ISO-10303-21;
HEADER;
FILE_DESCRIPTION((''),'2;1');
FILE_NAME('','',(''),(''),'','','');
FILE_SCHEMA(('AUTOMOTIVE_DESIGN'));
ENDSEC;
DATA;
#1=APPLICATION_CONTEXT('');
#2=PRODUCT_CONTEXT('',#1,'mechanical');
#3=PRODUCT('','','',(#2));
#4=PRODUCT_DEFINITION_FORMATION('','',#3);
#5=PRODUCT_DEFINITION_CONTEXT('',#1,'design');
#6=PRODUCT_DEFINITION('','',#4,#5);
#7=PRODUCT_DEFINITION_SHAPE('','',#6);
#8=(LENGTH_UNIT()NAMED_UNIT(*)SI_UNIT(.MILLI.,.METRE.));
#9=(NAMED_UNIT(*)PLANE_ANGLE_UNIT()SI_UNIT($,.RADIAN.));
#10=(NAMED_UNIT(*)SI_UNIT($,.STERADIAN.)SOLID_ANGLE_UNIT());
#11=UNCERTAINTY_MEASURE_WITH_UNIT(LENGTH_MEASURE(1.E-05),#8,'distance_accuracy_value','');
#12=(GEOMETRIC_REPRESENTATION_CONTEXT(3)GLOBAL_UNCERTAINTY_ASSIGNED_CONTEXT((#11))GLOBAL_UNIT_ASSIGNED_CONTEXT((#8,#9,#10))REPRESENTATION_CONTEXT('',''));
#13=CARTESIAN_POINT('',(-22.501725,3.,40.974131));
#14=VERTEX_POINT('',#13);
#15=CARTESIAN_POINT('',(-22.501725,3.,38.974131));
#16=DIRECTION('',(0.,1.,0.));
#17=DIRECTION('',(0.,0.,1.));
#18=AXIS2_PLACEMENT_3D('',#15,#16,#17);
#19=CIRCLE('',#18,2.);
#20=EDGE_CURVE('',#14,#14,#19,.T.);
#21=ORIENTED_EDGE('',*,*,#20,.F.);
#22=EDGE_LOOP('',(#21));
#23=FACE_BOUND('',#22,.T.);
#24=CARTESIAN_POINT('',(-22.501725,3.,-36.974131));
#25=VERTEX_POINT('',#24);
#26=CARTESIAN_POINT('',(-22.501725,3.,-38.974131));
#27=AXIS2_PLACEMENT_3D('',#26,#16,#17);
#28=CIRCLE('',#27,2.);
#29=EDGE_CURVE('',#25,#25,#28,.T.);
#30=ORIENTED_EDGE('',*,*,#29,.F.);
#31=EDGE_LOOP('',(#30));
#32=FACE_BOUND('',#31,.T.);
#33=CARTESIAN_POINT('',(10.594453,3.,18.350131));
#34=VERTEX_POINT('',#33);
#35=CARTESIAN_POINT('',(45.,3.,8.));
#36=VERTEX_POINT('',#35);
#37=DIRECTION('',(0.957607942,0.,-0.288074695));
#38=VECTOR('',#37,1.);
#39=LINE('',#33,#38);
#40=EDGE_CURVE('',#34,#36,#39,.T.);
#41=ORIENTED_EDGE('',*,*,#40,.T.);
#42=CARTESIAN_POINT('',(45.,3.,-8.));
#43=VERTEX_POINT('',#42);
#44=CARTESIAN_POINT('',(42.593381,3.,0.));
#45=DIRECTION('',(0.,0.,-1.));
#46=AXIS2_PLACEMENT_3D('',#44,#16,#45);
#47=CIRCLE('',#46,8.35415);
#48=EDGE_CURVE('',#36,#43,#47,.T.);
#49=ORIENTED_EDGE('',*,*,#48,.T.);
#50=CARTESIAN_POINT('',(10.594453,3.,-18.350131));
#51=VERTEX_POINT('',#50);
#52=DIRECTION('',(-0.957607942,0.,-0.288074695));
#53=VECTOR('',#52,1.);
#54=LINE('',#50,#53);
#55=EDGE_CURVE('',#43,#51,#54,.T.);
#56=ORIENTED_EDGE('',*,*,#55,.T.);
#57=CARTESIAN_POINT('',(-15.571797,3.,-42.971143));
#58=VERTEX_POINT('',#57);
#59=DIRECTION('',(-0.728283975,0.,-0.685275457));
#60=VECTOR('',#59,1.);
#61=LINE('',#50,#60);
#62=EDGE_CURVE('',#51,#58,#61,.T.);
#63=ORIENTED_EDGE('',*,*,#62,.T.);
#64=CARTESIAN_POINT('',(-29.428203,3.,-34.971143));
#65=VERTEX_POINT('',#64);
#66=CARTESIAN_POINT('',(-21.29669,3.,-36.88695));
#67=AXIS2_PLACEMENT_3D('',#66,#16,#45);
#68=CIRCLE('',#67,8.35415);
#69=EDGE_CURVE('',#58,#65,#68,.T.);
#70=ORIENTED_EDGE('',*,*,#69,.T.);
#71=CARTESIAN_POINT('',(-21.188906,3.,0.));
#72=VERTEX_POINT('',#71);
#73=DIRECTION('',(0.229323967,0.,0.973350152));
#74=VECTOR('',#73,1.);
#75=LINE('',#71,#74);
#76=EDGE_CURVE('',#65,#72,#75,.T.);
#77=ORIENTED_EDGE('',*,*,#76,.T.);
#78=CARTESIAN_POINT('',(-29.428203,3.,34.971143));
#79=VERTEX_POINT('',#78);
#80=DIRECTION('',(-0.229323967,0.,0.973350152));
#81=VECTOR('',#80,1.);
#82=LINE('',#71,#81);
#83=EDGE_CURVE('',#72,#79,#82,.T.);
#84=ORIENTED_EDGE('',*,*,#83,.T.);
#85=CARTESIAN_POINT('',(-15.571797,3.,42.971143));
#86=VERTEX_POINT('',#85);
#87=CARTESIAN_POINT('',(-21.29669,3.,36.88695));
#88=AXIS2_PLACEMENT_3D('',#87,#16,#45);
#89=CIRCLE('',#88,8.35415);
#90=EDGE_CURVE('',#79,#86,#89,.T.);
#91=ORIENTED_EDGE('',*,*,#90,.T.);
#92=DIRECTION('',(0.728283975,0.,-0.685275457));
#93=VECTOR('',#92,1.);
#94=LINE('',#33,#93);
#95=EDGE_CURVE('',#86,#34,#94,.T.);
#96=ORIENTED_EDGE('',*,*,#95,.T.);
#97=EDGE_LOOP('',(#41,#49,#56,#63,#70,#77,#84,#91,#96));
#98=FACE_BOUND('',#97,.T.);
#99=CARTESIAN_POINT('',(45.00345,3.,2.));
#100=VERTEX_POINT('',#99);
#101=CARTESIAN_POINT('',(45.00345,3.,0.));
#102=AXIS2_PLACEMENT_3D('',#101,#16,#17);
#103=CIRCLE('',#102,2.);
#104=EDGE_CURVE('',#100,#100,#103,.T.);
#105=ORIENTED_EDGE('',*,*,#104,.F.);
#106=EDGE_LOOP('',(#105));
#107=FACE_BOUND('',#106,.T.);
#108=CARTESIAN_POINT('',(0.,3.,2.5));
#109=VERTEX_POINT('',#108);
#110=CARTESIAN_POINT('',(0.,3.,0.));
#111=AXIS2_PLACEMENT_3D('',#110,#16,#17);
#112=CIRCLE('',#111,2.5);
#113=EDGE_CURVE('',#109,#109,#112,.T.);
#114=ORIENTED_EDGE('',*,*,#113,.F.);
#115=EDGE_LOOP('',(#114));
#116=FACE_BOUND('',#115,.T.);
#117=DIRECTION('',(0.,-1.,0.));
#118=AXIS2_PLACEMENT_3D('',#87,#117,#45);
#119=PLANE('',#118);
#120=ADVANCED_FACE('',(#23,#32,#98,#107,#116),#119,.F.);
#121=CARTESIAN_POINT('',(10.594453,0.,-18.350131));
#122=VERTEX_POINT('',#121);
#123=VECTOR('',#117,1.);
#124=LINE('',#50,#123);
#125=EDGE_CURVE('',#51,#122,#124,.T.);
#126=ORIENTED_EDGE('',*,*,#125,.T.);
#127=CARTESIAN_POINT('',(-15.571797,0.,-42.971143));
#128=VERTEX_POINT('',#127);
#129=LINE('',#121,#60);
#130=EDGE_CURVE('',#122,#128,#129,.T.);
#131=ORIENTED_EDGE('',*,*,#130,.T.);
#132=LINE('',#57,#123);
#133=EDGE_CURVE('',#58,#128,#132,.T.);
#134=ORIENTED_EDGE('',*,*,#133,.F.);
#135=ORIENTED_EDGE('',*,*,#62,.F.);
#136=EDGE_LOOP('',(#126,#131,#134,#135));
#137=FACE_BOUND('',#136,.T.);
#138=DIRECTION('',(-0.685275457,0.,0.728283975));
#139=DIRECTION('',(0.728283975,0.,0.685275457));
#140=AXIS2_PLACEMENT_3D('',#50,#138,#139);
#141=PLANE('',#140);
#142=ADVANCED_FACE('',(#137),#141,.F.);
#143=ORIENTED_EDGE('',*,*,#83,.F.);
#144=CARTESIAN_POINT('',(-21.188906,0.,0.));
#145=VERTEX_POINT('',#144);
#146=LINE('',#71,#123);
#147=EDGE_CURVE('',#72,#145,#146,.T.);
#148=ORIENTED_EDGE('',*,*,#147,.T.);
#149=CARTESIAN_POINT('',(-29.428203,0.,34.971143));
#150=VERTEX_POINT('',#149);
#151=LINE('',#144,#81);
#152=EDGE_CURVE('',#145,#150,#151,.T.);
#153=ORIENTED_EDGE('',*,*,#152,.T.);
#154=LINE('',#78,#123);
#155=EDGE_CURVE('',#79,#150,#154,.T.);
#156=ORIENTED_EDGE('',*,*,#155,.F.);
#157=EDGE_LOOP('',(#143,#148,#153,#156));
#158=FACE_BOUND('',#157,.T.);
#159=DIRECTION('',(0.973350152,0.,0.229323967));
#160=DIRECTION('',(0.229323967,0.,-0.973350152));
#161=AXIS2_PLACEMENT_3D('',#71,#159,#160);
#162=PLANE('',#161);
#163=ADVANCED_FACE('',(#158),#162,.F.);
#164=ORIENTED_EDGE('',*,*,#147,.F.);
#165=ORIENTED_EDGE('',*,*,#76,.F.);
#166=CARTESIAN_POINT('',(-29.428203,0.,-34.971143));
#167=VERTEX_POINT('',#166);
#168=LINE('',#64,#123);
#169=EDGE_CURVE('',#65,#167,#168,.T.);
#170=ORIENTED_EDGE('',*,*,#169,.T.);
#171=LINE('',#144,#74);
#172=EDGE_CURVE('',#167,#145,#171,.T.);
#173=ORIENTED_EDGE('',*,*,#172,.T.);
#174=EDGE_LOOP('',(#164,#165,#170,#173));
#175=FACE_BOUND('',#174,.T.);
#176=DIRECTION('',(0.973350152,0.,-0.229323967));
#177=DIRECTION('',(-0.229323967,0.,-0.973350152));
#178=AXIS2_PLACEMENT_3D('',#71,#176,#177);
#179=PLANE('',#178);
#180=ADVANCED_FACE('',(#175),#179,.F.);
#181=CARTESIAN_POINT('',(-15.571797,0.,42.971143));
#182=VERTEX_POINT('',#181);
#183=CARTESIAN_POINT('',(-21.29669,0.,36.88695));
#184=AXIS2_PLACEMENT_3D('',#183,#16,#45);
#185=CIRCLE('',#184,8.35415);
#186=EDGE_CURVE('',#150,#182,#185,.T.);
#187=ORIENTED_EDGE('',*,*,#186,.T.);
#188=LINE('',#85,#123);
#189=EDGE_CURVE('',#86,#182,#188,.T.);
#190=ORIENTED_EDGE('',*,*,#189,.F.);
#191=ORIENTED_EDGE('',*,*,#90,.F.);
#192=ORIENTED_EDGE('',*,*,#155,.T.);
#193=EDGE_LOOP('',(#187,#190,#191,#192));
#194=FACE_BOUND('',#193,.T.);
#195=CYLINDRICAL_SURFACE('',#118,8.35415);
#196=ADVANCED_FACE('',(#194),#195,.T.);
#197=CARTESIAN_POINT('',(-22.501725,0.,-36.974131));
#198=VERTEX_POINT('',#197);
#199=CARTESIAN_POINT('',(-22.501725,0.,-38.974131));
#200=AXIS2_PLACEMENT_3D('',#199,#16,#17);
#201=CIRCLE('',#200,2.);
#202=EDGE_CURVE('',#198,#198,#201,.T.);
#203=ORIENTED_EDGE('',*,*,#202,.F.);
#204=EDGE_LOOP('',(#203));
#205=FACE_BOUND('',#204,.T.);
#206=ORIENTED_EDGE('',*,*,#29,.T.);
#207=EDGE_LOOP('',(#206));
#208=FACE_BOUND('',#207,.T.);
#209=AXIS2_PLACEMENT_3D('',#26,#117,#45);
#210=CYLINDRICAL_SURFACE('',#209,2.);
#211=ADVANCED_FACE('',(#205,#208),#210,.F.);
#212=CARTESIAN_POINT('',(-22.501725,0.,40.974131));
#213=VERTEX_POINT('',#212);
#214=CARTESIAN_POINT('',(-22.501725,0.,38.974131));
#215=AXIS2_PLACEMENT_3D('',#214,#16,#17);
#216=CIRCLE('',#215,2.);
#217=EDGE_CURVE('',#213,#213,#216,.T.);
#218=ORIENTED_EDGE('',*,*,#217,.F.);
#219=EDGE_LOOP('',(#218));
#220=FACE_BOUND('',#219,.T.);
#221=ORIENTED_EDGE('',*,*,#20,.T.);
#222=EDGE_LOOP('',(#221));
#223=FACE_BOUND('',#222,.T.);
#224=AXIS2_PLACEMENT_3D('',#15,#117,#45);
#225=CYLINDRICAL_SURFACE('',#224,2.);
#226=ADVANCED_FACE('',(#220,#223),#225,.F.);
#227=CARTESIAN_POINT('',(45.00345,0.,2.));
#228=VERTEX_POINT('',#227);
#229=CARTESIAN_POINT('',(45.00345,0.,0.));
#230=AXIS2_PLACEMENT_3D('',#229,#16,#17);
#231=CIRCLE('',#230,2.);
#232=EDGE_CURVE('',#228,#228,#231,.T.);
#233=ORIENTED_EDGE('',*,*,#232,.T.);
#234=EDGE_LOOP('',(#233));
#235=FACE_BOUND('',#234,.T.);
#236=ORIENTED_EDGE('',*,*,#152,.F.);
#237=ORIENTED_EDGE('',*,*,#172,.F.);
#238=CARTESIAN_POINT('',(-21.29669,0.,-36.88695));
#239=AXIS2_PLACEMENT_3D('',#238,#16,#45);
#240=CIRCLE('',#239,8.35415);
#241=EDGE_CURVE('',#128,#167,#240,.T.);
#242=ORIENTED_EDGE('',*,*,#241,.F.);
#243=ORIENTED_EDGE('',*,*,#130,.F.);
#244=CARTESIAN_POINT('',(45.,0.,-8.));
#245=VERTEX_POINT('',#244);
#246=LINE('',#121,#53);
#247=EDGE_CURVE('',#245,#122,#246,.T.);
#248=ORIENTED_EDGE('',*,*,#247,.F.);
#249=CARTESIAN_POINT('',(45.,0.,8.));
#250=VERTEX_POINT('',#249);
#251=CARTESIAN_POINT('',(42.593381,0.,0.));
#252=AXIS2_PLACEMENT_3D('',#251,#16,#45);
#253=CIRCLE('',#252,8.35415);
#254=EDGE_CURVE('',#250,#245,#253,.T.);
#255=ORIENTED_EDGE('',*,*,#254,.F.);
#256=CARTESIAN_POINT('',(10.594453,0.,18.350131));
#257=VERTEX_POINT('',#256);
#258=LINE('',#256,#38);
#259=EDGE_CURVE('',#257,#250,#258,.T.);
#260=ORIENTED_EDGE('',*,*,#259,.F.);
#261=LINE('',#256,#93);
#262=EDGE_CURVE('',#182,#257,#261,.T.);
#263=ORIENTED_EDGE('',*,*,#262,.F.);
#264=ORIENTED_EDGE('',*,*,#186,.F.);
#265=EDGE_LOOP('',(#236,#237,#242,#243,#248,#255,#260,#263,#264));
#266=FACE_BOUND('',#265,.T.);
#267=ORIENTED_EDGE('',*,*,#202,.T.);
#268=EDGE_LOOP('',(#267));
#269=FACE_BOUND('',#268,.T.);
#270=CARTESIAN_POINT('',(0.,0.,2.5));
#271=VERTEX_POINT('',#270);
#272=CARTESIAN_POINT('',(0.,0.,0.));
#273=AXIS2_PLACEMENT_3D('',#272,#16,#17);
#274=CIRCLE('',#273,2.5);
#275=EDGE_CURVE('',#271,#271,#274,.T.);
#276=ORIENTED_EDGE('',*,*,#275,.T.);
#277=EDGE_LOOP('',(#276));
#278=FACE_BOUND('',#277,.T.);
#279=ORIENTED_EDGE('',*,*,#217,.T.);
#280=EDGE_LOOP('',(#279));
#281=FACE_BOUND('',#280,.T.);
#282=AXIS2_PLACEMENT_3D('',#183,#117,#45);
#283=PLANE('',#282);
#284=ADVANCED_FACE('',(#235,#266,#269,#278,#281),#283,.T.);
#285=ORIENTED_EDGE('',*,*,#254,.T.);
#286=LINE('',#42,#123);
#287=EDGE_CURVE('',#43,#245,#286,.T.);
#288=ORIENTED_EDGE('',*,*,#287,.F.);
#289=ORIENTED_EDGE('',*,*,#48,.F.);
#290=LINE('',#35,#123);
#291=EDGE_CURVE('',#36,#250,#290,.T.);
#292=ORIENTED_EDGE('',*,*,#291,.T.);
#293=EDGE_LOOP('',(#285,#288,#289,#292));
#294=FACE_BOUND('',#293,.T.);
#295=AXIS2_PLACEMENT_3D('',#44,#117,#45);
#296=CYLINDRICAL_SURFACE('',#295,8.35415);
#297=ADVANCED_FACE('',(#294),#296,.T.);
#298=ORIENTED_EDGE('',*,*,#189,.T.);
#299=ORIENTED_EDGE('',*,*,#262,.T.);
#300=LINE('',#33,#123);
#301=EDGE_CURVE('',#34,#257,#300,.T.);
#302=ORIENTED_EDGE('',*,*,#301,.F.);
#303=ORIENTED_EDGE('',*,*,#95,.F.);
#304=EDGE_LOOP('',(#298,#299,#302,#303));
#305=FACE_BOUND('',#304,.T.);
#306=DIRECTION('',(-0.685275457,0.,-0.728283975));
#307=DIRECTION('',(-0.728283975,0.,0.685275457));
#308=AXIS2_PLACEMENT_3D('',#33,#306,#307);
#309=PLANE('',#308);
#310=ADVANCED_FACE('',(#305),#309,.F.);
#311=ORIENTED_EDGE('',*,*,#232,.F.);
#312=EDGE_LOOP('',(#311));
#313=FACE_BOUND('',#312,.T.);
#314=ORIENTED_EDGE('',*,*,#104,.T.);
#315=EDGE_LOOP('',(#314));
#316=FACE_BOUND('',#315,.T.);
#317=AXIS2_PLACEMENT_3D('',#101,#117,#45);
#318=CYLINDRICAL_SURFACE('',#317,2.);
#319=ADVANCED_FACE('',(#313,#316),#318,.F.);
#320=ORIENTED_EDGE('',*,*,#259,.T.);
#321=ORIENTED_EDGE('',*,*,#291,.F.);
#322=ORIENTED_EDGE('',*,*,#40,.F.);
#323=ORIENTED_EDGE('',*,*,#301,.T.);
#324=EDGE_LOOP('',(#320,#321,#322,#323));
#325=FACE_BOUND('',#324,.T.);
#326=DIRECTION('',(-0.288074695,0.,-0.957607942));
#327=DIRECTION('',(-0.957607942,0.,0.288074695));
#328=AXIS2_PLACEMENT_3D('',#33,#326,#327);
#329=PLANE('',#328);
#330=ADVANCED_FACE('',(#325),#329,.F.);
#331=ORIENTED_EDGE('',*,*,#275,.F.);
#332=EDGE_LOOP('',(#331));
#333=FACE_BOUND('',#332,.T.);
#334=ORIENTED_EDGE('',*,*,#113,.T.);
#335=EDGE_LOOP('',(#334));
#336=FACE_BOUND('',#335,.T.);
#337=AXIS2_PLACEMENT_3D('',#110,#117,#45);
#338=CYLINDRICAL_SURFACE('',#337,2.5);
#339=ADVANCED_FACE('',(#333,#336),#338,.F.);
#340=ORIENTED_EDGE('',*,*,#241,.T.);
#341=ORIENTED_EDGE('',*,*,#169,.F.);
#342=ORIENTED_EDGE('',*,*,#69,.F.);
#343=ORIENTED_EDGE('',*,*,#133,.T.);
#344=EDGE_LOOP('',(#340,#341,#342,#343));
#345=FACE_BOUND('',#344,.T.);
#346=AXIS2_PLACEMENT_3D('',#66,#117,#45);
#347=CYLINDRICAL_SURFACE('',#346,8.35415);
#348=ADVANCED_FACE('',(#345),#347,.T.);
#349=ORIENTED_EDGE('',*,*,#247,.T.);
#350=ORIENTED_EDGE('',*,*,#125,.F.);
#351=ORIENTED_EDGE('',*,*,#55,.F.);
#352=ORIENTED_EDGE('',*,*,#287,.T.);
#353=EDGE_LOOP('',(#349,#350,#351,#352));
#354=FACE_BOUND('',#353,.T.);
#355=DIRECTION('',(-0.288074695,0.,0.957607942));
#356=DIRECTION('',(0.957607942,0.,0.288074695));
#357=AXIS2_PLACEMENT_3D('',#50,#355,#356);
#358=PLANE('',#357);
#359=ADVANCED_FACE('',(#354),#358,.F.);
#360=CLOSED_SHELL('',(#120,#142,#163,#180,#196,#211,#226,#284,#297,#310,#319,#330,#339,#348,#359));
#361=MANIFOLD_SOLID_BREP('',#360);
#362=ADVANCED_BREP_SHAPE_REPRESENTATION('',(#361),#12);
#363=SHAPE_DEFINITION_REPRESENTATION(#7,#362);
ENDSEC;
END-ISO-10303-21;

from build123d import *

# Parameters (mm, degrees)
SKETCH2_R           = 2.5
SKETCH2_R_2         = 2
BOSS_EXTRUDE2_DEPTH = 3


with BuildPart() as part:
    # Sketch2 → Boss-Extrude2 (new body)
    with BuildSketch(Plane(origin=(0, 0, 0), x_dir=(1, 0, 0), z_dir=(0, 1, 0))):
        with BuildLine():
            Line((10.594452967, -18.350130817), (45, -8))
            ThreePointArc((45, -8), (50.947530499, 0), (45, 8))
            Line((45, 8), (10.594452967, 18.350130817))
            Line((10.594452967, 18.350130817), (-15.57179677, 42.97114317))
            ThreePointArc((-15.57179677, 42.97114317), (-25.473765249, 44.121855672), (-29.42820323, 34.97114317))
            Line((-29.42820323, 34.97114317), (-21.188905934, 0))
            Line((-21.188905934, 0), (-29.42820323, -34.97114317))
            ThreePointArc((-29.42820323, -34.97114317), (-25.473765249, -44.121855672), (-15.57179677, -42.97114317))
            Line((-15.57179677, -42.97114317), (10.594452967, -18.350130817))
        make_face()
        with Locations(Location((0, 0, 0), (0, 0, 270))):
            Circle(SKETCH2_R, mode=Mode.SUBTRACT)
        with Locations(Location((-22.50172491, 38.974130802, 0), (0, 0, 270))):
            Circle(SKETCH2_R_2, mode=Mode.SUBTRACT)
        with Locations(Location((45.00344982, 0, 0), (0, 0, 270))):
            Circle(SKETCH2_R_2, mode=Mode.SUBTRACT)
        with Locations(Location((-22.50172491, -38.974130802, 0), (0, 0, 270))):
            Circle(SKETCH2_R_2, mode=Mode.SUBTRACT)
    extrude(amount=BOSS_EXTRUDE2_DEPTH)


solid = part.part
